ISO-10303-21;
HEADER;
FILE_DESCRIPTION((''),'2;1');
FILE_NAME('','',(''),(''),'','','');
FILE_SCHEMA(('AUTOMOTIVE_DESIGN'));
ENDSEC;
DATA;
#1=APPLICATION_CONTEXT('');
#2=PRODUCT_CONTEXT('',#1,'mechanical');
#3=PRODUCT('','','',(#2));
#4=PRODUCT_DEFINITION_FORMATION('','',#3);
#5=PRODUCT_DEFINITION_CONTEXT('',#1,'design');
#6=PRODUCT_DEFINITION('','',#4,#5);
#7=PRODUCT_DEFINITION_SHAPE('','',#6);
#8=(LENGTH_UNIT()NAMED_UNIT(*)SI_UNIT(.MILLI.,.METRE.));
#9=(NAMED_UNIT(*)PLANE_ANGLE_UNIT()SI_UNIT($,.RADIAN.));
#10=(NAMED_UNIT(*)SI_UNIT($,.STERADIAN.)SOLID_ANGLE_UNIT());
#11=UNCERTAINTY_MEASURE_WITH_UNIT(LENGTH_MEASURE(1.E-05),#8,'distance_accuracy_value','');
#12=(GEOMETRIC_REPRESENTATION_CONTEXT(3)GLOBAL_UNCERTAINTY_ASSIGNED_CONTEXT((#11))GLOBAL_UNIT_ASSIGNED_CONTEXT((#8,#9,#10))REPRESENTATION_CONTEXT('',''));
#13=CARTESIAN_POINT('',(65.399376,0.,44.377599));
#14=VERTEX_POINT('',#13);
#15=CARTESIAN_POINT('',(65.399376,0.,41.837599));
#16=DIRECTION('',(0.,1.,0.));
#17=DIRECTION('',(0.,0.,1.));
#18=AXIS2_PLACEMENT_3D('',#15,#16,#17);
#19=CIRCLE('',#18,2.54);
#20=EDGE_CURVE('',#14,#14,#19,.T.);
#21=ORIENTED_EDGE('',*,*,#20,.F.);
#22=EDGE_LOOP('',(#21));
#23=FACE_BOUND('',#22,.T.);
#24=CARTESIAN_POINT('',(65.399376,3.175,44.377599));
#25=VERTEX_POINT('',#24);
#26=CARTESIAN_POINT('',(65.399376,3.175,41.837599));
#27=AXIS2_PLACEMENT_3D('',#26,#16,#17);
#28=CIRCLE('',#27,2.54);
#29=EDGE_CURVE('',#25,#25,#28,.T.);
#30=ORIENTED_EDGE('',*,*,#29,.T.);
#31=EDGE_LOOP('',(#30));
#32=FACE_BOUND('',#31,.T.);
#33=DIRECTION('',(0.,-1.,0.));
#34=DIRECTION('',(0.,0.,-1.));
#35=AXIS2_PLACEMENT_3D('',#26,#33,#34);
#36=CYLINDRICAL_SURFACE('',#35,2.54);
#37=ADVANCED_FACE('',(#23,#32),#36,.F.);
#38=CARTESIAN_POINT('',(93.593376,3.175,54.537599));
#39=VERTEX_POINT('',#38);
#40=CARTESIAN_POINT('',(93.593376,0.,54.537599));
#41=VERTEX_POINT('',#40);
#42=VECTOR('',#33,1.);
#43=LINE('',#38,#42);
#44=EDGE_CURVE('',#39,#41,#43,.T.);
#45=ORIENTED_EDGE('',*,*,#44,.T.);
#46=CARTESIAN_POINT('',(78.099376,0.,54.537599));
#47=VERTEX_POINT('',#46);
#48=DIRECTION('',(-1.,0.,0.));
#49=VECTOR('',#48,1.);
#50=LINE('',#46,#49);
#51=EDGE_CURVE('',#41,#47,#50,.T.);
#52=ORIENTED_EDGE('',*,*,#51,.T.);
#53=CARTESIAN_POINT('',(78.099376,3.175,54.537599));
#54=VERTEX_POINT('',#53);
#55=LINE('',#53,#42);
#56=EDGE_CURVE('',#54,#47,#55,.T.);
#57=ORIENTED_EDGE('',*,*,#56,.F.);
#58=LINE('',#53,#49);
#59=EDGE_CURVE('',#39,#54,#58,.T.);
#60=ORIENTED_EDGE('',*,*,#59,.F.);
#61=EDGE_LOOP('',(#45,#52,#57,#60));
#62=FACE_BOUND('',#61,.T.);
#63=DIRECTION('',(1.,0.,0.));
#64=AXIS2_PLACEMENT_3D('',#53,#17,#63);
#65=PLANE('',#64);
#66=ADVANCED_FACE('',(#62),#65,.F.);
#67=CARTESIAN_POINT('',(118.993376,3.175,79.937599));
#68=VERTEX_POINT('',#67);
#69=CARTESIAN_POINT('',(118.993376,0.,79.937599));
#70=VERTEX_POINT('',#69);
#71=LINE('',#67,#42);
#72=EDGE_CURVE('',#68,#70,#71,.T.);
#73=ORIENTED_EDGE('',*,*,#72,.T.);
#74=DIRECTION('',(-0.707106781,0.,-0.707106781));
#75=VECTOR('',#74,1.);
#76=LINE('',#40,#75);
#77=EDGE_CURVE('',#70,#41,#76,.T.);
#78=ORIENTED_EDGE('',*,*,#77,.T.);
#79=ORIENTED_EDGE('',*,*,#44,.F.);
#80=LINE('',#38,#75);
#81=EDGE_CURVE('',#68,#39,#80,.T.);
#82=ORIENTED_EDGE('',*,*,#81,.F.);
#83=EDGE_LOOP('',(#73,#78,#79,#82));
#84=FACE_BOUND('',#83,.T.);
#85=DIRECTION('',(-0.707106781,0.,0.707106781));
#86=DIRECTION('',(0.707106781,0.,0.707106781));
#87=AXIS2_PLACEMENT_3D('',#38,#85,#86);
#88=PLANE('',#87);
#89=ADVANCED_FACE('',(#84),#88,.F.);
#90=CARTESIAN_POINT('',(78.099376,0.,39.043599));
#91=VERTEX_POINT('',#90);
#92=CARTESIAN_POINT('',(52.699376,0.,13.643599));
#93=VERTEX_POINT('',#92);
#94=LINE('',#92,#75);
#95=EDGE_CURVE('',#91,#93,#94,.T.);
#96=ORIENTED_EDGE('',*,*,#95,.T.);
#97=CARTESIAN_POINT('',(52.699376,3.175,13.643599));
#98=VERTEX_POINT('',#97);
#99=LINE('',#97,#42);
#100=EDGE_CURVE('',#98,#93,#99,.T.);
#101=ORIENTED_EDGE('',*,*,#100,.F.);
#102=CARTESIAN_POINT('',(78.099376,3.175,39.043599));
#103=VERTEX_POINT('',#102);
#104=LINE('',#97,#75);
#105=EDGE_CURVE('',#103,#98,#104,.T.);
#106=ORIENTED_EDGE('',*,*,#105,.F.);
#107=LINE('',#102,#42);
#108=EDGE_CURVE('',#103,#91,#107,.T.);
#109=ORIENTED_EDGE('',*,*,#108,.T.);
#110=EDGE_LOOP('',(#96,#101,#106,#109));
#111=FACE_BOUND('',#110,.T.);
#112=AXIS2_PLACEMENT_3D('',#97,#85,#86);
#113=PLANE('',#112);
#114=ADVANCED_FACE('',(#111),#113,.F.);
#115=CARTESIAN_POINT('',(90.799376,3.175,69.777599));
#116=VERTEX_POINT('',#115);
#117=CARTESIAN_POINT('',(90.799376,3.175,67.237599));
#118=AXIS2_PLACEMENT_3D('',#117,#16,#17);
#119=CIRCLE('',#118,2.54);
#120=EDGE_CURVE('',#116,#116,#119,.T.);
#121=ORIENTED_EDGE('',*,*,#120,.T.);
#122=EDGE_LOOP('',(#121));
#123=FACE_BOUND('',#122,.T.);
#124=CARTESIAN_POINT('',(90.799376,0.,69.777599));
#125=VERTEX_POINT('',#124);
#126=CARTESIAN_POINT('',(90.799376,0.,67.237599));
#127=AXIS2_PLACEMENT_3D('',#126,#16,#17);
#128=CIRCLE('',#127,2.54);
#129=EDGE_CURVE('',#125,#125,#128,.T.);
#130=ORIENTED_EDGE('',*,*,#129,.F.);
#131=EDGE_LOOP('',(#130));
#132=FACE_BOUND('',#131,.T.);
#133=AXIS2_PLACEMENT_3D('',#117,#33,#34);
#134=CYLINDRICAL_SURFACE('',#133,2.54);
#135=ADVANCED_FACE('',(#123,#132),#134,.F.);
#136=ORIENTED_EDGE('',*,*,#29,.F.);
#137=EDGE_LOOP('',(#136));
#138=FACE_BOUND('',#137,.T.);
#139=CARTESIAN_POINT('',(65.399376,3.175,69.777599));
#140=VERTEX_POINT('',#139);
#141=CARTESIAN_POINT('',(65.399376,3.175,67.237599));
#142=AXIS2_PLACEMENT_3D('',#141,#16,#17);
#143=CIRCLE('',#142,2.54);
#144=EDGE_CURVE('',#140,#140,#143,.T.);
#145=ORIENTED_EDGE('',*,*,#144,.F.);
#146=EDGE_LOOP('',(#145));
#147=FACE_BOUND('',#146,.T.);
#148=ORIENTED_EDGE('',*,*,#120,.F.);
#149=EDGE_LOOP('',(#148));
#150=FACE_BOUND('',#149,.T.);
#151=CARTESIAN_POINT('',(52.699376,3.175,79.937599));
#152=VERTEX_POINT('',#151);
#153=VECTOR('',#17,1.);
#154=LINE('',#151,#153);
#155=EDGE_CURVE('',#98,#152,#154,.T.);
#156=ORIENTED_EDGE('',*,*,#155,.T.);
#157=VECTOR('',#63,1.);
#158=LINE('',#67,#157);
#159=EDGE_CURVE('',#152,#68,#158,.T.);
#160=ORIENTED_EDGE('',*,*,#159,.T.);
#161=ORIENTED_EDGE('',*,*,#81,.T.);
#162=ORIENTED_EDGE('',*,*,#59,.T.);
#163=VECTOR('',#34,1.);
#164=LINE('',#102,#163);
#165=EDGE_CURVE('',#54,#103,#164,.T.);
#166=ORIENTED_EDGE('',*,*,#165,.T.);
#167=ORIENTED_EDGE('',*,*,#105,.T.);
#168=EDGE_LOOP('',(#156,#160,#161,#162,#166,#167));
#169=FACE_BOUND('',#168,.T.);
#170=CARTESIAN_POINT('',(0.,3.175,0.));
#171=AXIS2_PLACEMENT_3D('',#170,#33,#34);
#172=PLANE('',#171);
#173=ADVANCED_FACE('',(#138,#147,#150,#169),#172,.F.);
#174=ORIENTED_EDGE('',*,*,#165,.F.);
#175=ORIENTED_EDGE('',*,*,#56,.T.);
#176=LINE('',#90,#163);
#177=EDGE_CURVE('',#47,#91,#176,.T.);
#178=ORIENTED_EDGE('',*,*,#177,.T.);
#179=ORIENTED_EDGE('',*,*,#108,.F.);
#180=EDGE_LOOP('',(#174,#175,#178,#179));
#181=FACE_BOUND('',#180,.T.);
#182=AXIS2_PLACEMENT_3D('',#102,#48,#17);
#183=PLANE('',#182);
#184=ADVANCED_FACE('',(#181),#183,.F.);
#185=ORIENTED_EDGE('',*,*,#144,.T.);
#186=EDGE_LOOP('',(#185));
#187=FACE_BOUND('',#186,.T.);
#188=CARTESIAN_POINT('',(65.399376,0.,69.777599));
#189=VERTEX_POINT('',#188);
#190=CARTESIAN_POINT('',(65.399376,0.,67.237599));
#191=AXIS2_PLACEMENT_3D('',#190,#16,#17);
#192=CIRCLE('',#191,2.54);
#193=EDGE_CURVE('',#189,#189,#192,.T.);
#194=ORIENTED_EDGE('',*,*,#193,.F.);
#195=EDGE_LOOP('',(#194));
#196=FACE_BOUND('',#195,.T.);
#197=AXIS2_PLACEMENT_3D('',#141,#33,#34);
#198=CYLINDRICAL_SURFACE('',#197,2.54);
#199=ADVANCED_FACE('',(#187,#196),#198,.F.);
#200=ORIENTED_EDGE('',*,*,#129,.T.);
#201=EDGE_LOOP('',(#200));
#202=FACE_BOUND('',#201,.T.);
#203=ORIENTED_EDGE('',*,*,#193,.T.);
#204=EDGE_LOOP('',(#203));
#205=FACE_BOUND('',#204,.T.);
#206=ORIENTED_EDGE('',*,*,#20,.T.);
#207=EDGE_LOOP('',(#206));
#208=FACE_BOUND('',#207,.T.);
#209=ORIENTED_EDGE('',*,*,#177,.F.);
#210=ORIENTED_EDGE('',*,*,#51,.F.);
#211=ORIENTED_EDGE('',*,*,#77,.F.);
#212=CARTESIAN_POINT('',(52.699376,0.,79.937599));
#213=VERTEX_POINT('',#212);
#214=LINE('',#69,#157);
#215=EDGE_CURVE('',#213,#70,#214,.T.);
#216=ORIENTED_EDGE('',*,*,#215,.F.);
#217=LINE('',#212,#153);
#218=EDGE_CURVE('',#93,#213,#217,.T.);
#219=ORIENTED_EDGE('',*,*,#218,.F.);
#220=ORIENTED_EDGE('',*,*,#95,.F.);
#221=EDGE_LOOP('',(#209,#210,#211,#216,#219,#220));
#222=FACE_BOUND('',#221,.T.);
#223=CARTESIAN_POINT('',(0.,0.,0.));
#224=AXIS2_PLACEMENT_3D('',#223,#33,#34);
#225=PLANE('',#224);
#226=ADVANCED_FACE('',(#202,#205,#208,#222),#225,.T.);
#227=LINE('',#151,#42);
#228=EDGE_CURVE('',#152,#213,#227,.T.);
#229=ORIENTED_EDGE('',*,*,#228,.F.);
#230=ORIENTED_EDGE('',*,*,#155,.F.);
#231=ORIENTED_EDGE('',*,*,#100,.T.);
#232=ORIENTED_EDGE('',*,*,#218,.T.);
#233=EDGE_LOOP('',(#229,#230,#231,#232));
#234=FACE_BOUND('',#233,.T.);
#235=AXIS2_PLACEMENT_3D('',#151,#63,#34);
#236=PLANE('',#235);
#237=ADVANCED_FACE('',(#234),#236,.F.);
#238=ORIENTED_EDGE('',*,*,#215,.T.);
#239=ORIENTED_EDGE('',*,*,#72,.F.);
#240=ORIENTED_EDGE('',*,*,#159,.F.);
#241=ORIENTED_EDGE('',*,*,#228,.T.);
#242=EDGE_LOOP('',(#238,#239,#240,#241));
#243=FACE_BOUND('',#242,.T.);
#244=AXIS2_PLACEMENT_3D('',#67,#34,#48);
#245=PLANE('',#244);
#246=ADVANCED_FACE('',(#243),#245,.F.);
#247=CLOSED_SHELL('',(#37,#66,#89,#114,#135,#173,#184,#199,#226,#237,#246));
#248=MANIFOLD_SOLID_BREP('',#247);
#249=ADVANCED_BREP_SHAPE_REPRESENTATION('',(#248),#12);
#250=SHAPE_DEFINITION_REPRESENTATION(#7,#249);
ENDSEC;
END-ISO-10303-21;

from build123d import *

# Parameters (mm, degrees)
SKETCH2_R           = 2.54
BOSS_EXTRUDE1_DEPTH = 3.175


with BuildPart() as part:
    # Sketch2 → Boss-Extrude1 (new body)
    with BuildSketch(Plane(origin=(0, 0, 0), x_dir=(1, 0, 0), z_dir=(0, 1, 0))):
        Polygon((52.699376197, -13.643599401), (78.099376197, -39.043599401), (78.099376197, -54.537599401), (93.593376197, -54.537599401), (118.993376197, -79.937599401), (52.699376197, -79.937599401), align=None)
        with Locations(Location((65.399376197, -67.237599401, 0), (0, 0, 270))):
            Circle(SKETCH2_R, mode=Mode.SUBTRACT)
        with Locations(Location((90.799376197, -67.237599401, 0), (0, 0, 270))):
            Circle(SKETCH2_R, mode=Mode.SUBTRACT)
        with Locations(Location((65.399376197, -41.837599401, 0), (0, 0, 270))):
            Circle(SKETCH2_R, mode=Mode.SUBTRACT)
    extrude(amount=BOSS_EXTRUDE1_DEPTH)


solid = part.part
